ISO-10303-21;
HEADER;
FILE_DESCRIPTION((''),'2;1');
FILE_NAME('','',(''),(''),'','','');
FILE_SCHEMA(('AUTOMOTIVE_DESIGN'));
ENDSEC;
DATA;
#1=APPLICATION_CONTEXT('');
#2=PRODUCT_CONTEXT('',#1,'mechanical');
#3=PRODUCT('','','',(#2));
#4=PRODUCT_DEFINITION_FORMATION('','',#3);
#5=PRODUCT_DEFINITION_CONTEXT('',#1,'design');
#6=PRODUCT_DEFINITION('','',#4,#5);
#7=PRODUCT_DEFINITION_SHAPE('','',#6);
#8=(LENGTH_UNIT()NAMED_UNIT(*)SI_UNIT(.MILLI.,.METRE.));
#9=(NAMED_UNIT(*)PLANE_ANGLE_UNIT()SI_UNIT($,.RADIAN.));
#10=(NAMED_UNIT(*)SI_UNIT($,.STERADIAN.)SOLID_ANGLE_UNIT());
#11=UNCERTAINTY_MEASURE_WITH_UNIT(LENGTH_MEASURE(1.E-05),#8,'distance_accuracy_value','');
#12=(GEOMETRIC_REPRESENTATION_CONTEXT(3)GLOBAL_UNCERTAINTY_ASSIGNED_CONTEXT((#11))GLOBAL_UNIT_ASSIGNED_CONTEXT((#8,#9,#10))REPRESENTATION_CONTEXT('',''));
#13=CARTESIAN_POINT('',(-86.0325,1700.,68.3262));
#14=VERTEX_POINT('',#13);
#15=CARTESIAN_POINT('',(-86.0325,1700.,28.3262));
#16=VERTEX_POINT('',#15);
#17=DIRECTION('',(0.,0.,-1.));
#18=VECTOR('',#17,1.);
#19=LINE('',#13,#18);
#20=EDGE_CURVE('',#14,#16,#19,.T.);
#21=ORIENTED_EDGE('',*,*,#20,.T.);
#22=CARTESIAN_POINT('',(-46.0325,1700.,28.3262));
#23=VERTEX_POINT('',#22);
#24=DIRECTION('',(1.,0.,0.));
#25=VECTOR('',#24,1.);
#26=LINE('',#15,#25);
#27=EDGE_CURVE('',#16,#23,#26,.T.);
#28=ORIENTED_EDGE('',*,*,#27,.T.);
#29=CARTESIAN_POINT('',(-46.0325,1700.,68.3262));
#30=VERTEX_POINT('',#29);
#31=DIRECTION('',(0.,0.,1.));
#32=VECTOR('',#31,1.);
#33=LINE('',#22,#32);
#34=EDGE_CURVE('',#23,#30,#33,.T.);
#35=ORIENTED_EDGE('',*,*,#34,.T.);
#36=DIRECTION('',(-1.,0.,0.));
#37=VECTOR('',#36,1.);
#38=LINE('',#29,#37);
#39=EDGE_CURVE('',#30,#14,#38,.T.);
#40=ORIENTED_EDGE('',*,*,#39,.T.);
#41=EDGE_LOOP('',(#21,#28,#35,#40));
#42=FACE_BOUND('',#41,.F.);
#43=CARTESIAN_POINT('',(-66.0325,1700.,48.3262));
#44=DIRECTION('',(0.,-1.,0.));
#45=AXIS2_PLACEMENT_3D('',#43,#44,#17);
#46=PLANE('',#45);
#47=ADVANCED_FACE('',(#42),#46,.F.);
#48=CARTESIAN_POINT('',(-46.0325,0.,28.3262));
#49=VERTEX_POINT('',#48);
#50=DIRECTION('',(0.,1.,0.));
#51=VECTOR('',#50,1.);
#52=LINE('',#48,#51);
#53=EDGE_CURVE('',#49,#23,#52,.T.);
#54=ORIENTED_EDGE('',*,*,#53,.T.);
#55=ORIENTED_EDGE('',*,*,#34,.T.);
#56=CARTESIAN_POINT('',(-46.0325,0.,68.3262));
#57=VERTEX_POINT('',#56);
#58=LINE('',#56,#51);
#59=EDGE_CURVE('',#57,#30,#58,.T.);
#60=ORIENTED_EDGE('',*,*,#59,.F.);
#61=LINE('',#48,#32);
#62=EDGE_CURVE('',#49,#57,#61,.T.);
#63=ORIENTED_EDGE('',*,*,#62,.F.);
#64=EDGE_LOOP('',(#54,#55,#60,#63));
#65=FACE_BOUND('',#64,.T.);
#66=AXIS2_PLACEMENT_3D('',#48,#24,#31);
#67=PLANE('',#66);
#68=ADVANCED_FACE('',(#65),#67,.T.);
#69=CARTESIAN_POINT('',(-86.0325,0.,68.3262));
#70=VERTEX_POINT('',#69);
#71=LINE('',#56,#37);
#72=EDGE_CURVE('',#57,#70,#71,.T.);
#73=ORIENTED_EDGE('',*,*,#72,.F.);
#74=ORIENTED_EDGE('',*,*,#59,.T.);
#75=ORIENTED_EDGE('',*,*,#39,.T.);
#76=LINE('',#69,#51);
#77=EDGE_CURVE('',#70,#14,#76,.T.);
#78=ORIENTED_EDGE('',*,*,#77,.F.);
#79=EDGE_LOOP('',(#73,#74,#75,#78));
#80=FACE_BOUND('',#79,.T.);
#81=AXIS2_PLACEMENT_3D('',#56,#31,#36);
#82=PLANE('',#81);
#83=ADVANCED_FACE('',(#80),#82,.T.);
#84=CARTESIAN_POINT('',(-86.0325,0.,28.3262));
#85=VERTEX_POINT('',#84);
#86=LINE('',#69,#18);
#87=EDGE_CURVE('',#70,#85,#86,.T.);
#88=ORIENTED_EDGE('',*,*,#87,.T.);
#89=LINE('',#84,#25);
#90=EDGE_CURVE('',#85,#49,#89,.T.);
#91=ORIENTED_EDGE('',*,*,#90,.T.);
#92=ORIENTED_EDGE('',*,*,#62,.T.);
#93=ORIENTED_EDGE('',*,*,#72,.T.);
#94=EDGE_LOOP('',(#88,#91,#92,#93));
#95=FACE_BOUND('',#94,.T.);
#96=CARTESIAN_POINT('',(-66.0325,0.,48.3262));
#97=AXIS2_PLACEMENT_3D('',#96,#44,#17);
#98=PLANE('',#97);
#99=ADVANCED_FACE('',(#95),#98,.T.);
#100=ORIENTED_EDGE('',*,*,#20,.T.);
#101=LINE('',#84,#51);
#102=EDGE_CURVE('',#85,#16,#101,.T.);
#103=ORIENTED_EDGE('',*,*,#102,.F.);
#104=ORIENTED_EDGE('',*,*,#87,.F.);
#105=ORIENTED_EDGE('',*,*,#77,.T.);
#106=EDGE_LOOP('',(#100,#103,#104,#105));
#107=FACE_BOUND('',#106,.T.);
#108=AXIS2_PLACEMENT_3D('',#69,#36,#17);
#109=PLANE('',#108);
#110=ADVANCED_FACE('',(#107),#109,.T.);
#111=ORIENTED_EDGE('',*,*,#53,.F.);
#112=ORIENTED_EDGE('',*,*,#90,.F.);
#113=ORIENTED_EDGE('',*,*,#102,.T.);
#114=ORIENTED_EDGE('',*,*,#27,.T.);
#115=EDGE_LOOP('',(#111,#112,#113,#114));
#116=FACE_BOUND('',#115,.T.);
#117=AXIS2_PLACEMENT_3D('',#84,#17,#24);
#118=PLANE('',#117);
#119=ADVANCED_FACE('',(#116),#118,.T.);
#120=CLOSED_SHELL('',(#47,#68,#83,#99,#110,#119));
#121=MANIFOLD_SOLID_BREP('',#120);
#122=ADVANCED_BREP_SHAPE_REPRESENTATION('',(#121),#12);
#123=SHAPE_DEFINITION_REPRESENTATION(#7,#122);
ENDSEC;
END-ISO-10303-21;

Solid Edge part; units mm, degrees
sketch "Sketch1" plane through (0, 0, 0) normal (0, -1, 0) x (1, 0, 0)
  line L0 (-86.0325, 28.3262) -> (-46.0325, 28.3262)
  line L1 (-46.0325, 28.3262) -> (-46.0325, 68.3262)
  line L2 (-46.0325, 68.3262) -> (-86.0325, 68.3262)
  line L3 (-86.0325, 68.3262) -> (-86.0325, 28.3262)
extrude "Protrusion1" add sketch "Sketch1" against normal blind 1700
